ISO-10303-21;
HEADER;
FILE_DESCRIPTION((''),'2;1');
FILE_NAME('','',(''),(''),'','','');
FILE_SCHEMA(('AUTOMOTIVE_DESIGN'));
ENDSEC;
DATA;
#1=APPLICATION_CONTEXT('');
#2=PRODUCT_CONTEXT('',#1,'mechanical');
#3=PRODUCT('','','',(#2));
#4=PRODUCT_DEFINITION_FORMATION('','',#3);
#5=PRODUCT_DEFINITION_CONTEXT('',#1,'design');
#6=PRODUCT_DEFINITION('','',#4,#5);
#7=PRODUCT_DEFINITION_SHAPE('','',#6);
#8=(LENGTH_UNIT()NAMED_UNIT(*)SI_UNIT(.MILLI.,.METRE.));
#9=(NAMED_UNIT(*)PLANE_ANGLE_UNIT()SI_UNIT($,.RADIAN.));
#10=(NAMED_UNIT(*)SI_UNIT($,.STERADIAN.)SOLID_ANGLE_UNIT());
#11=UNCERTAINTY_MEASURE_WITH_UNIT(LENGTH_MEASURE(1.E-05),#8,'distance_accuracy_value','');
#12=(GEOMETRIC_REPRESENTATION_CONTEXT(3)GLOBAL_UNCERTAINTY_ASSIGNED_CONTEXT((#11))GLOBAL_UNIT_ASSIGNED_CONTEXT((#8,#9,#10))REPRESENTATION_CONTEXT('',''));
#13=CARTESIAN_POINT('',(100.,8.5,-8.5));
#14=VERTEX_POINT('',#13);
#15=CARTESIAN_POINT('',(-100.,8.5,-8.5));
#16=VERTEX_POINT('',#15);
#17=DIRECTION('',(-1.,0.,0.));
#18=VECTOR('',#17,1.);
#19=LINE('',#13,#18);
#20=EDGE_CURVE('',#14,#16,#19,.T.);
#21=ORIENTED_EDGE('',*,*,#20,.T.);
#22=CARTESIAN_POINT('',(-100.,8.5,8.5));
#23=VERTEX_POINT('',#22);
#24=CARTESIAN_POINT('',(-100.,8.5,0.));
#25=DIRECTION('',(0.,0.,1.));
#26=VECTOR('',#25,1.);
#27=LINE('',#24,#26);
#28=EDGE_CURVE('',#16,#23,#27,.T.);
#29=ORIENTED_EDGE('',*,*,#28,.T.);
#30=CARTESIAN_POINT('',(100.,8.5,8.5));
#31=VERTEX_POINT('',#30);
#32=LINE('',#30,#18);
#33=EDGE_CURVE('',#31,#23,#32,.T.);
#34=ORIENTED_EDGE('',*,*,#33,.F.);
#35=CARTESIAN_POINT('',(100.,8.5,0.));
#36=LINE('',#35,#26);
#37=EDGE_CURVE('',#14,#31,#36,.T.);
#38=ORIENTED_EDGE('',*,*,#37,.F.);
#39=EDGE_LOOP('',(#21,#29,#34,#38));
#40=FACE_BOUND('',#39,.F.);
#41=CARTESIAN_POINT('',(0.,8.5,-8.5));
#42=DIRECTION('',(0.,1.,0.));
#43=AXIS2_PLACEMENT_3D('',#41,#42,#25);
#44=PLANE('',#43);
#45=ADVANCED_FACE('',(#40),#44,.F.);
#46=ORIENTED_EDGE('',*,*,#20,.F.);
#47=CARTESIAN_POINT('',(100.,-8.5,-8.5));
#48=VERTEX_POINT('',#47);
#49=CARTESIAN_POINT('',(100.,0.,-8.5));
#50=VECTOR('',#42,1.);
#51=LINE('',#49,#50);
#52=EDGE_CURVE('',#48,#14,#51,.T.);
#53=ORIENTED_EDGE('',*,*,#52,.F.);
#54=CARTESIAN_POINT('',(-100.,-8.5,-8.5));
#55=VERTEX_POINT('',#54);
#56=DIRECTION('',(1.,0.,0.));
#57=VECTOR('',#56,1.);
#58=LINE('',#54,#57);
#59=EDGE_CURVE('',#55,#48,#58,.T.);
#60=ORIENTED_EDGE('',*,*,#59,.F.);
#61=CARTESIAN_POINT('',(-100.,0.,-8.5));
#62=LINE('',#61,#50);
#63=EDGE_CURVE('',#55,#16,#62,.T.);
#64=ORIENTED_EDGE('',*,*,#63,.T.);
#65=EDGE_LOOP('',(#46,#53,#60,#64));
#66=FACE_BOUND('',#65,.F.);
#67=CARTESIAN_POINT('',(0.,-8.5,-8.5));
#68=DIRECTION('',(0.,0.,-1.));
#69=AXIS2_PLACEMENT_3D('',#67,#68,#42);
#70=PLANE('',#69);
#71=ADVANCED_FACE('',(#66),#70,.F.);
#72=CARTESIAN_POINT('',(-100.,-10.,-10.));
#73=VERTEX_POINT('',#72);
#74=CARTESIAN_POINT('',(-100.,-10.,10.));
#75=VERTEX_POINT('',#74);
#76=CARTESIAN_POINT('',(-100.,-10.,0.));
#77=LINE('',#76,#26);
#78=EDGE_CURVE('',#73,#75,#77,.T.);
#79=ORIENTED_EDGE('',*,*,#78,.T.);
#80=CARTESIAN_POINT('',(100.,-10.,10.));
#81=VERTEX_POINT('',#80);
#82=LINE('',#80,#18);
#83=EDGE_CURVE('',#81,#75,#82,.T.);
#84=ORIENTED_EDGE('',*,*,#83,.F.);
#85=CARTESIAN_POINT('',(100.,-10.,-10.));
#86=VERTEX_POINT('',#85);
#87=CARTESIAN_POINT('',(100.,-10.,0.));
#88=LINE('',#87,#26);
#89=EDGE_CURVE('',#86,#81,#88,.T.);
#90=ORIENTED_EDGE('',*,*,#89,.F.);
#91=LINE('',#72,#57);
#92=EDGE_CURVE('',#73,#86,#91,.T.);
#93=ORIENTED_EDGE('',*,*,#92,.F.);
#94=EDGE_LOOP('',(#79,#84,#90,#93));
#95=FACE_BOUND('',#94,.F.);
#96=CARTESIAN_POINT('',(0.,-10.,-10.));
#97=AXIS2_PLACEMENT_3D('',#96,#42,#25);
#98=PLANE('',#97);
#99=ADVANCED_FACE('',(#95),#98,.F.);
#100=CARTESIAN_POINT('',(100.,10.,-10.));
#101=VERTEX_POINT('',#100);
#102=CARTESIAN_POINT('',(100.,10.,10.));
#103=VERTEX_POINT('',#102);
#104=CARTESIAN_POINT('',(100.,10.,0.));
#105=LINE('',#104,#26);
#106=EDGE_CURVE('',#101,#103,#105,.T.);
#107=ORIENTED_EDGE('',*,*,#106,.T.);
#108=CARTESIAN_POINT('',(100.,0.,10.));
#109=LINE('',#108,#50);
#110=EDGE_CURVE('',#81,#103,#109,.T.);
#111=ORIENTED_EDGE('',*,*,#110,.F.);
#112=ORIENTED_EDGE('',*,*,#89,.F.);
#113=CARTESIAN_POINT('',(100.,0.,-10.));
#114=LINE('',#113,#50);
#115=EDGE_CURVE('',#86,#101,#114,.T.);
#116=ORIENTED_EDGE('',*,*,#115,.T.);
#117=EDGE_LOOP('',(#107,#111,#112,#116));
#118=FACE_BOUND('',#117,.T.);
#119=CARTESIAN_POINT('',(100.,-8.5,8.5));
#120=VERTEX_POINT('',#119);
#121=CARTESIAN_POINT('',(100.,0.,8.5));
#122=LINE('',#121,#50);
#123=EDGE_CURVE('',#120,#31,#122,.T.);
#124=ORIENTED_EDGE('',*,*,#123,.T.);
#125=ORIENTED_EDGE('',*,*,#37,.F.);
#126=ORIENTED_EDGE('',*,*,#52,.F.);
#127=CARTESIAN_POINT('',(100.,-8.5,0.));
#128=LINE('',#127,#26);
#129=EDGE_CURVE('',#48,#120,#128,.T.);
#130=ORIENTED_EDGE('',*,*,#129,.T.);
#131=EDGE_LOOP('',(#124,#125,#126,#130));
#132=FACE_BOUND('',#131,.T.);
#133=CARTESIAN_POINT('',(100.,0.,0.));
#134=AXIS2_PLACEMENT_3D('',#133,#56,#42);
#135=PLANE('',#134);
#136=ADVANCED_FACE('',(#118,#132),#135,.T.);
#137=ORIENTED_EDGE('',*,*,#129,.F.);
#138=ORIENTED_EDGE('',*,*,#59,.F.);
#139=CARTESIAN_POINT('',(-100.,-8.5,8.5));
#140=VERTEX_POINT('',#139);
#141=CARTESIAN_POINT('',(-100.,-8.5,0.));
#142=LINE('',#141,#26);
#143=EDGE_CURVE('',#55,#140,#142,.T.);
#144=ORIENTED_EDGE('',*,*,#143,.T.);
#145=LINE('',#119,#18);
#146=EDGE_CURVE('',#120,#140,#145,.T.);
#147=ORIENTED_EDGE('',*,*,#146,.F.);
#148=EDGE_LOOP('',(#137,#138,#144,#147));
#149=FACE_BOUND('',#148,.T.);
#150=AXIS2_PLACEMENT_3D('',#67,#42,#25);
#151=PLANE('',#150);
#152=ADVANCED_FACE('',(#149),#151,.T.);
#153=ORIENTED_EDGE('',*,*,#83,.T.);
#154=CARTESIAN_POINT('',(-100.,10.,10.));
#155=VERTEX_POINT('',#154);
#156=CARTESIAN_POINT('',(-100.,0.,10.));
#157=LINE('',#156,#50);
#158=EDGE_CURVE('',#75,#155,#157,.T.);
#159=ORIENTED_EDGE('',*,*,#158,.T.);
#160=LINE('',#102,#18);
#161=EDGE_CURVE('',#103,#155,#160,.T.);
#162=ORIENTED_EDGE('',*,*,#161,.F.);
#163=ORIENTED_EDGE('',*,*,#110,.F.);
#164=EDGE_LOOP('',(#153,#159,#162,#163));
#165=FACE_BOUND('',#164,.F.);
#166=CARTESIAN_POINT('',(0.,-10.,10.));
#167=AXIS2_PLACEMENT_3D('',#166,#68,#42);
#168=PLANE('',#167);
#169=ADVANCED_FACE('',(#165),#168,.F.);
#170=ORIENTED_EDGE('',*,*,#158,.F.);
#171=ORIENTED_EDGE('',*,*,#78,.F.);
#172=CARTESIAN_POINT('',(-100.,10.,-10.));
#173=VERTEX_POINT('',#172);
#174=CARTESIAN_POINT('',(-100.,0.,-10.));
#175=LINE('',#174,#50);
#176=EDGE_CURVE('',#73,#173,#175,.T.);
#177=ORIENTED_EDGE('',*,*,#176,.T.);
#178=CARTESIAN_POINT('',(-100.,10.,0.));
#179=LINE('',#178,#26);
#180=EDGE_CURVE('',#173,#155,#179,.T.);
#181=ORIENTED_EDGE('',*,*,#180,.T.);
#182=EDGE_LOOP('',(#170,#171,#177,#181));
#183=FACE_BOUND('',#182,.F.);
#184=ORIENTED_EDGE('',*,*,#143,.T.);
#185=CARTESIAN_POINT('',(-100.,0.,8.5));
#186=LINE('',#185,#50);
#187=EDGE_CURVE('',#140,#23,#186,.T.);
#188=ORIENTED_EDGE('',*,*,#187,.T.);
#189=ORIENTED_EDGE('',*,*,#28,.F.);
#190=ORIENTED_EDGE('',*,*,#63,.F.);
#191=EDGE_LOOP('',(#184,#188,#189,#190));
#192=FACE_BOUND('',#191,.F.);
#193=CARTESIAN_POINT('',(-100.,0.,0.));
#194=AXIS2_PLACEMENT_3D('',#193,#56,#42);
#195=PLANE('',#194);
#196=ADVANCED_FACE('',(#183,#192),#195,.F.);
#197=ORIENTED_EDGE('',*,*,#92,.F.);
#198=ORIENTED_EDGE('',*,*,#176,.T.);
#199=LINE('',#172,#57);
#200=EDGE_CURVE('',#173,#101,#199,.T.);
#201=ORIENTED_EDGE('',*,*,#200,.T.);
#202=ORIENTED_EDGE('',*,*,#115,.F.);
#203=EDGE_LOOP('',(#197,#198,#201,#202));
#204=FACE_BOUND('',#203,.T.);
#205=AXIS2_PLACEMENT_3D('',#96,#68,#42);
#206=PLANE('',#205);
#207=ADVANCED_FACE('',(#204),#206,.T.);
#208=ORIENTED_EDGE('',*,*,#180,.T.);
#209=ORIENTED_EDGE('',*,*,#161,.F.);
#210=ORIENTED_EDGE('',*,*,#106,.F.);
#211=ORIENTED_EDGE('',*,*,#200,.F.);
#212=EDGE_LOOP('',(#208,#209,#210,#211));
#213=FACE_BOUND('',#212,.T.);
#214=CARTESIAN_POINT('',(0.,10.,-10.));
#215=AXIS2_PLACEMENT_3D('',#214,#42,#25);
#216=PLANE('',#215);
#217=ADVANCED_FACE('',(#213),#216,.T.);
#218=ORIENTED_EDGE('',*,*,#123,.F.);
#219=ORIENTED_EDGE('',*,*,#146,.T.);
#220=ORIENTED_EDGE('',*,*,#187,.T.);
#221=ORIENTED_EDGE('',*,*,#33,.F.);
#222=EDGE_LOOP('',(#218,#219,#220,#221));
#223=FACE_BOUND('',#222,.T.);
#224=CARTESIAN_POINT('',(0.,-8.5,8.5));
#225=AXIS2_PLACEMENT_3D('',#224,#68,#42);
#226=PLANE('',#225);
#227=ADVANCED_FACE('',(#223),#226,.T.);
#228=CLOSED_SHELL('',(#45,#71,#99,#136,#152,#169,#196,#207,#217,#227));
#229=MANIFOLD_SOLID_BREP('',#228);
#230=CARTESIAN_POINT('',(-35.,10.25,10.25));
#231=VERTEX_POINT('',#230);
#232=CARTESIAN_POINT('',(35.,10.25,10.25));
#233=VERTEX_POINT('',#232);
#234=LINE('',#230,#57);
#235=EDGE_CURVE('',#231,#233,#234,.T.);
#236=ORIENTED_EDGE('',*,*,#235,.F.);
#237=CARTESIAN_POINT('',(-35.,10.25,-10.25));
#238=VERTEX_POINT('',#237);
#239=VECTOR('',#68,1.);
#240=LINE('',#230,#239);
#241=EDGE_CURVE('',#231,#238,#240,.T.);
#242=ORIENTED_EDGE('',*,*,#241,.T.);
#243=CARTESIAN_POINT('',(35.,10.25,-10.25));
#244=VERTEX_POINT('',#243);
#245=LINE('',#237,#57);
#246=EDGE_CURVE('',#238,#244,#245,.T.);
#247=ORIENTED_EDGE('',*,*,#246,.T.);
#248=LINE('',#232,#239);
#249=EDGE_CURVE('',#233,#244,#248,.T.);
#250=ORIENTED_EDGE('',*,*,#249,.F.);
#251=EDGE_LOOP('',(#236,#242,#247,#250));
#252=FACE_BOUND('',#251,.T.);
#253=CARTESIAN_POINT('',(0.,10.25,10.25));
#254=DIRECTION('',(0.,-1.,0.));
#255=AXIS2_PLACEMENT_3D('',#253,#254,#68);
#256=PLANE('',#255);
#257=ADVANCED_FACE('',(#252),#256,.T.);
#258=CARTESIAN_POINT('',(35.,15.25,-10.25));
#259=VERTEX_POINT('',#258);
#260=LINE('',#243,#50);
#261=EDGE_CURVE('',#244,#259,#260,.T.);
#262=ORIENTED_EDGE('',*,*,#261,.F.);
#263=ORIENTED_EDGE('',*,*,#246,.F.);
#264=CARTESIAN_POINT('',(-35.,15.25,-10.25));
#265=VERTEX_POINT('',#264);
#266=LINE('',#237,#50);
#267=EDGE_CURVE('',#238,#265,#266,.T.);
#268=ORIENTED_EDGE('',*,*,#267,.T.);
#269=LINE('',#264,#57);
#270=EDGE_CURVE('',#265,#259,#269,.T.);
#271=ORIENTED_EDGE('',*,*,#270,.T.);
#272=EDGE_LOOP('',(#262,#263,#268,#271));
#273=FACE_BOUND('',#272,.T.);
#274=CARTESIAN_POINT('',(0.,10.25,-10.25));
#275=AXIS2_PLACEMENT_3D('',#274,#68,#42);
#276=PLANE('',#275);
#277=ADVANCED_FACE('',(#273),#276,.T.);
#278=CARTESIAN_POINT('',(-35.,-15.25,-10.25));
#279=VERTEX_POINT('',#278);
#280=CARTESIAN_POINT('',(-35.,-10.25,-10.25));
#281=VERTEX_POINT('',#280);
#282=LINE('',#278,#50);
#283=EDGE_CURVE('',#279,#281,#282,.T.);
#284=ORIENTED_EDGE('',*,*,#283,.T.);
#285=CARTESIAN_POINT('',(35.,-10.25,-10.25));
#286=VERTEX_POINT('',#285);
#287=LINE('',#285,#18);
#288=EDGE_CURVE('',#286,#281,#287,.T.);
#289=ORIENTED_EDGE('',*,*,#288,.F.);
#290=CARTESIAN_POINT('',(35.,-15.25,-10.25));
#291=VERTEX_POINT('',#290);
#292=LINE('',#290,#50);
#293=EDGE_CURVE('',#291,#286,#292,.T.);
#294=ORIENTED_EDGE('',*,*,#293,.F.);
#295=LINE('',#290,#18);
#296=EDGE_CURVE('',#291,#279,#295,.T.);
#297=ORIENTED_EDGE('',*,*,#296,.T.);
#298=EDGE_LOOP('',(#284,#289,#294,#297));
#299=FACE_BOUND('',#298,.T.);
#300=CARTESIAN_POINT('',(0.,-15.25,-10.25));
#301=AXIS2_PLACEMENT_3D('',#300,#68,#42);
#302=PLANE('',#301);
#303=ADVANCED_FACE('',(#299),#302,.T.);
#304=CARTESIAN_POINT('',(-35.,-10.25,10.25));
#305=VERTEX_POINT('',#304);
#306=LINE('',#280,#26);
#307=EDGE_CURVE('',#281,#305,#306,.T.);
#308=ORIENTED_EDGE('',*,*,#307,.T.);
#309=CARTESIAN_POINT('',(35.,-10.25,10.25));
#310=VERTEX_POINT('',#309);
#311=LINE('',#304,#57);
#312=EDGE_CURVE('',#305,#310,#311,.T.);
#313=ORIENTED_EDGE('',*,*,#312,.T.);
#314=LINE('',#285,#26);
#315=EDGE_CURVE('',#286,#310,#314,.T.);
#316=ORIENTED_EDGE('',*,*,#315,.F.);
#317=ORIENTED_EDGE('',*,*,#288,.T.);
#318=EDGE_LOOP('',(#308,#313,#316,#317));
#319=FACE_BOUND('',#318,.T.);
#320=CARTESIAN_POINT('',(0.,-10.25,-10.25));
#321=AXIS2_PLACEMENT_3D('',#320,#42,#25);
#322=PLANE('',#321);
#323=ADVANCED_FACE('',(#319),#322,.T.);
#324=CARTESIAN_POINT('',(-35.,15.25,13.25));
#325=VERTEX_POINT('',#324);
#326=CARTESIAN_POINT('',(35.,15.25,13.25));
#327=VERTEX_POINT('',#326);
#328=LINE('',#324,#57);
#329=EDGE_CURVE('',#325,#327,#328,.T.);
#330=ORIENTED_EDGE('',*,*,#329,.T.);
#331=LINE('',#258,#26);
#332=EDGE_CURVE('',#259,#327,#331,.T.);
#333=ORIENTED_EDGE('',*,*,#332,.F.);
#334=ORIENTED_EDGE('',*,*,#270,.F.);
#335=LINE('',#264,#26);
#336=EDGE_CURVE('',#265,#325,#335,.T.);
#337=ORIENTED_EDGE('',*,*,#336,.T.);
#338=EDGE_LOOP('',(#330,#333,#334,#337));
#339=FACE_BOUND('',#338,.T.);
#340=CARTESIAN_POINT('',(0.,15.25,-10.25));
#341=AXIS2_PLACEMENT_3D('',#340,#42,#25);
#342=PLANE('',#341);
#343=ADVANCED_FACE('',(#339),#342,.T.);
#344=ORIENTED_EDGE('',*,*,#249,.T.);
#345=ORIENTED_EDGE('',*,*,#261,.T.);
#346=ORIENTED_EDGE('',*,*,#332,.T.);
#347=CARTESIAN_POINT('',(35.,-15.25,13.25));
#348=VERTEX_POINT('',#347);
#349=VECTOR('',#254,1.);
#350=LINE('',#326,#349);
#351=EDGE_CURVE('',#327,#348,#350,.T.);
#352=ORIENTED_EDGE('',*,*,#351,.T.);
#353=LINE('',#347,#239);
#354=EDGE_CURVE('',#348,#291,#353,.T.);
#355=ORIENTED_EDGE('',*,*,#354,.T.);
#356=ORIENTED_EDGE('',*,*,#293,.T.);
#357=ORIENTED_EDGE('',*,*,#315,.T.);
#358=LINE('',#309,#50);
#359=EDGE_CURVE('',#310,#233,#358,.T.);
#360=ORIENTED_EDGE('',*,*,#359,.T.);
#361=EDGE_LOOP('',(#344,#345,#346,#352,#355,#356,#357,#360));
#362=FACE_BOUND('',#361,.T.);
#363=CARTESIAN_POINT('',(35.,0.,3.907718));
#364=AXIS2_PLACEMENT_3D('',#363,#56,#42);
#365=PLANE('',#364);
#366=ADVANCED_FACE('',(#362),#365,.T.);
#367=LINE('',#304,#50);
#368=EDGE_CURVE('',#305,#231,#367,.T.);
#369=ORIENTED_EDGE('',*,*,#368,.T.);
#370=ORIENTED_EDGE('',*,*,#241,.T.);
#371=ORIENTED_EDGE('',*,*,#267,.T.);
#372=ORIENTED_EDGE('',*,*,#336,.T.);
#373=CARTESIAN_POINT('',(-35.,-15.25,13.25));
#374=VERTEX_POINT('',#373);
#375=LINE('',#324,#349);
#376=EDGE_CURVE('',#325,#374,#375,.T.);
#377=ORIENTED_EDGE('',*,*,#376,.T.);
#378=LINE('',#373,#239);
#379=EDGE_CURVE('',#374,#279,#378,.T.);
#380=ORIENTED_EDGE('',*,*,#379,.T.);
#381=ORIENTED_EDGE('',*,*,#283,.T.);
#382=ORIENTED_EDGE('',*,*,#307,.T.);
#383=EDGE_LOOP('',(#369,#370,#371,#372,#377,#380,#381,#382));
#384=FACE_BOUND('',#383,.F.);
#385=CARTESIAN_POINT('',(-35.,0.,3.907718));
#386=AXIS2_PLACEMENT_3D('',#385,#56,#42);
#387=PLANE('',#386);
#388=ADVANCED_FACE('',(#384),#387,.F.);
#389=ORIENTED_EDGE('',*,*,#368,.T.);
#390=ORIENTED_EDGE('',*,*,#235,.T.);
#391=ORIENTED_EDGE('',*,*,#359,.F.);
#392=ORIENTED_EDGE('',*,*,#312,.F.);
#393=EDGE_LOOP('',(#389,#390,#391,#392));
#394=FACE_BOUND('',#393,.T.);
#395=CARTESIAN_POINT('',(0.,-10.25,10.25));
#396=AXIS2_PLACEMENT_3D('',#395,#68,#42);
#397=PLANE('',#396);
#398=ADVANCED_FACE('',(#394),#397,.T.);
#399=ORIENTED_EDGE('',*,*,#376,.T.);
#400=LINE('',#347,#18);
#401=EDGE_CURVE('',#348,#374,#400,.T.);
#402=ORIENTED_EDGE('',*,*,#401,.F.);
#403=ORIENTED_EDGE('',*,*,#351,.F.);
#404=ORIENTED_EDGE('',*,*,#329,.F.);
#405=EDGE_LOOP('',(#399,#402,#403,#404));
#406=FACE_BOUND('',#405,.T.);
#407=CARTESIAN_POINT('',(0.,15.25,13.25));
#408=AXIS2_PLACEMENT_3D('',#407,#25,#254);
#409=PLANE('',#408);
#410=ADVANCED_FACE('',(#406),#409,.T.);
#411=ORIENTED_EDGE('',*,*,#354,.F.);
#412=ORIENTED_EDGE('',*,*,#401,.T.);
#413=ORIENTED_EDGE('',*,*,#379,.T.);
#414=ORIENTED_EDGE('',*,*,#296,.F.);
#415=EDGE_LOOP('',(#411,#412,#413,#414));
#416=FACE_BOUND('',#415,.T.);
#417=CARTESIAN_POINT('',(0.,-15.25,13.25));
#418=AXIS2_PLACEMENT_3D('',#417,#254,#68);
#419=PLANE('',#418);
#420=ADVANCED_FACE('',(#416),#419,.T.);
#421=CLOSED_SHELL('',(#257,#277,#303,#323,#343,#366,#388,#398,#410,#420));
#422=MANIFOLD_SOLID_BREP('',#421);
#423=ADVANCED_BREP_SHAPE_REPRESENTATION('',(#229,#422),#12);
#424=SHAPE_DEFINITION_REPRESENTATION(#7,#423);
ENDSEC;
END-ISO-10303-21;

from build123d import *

# Parameters (mm, degrees)
SKETCH_W     = 20
SKETCH_H     = 20
SKETCH_W_2   = 17
SKETCH_H_2   = 17
PAD_DEPTH    = 100
PAD001_DEPTH = 35


with BuildPart() as k_rper:
    # Sketch → Pad (new body, symmetric)
    with BuildSketch(Plane.YZ):
        Rectangle(SKETCH_W, SKETCH_H)
        Rectangle(SKETCH_W_2, SKETCH_H_2, mode=Mode.SUBTRACT)
    extrude(amount=PAD_DEPTH, both=True)


with BuildPart() as k_rper001:
    # Sketch001 → Pad001 (new body, symmetric)
    with BuildSketch(Plane.YZ):
        Polygon((-10.25, -10.25), (-10.25, 10.25), (10.25, 10.25), (10.25, -10.25), (15.25, -10.25), (15.25, 13.25), (-15.25, 13.25), (-15.25, -10.25), align=None)
    extrude(amount=PAD001_DEPTH, both=True)


solid = Compound([k_rper.part, k_rper001.part])
